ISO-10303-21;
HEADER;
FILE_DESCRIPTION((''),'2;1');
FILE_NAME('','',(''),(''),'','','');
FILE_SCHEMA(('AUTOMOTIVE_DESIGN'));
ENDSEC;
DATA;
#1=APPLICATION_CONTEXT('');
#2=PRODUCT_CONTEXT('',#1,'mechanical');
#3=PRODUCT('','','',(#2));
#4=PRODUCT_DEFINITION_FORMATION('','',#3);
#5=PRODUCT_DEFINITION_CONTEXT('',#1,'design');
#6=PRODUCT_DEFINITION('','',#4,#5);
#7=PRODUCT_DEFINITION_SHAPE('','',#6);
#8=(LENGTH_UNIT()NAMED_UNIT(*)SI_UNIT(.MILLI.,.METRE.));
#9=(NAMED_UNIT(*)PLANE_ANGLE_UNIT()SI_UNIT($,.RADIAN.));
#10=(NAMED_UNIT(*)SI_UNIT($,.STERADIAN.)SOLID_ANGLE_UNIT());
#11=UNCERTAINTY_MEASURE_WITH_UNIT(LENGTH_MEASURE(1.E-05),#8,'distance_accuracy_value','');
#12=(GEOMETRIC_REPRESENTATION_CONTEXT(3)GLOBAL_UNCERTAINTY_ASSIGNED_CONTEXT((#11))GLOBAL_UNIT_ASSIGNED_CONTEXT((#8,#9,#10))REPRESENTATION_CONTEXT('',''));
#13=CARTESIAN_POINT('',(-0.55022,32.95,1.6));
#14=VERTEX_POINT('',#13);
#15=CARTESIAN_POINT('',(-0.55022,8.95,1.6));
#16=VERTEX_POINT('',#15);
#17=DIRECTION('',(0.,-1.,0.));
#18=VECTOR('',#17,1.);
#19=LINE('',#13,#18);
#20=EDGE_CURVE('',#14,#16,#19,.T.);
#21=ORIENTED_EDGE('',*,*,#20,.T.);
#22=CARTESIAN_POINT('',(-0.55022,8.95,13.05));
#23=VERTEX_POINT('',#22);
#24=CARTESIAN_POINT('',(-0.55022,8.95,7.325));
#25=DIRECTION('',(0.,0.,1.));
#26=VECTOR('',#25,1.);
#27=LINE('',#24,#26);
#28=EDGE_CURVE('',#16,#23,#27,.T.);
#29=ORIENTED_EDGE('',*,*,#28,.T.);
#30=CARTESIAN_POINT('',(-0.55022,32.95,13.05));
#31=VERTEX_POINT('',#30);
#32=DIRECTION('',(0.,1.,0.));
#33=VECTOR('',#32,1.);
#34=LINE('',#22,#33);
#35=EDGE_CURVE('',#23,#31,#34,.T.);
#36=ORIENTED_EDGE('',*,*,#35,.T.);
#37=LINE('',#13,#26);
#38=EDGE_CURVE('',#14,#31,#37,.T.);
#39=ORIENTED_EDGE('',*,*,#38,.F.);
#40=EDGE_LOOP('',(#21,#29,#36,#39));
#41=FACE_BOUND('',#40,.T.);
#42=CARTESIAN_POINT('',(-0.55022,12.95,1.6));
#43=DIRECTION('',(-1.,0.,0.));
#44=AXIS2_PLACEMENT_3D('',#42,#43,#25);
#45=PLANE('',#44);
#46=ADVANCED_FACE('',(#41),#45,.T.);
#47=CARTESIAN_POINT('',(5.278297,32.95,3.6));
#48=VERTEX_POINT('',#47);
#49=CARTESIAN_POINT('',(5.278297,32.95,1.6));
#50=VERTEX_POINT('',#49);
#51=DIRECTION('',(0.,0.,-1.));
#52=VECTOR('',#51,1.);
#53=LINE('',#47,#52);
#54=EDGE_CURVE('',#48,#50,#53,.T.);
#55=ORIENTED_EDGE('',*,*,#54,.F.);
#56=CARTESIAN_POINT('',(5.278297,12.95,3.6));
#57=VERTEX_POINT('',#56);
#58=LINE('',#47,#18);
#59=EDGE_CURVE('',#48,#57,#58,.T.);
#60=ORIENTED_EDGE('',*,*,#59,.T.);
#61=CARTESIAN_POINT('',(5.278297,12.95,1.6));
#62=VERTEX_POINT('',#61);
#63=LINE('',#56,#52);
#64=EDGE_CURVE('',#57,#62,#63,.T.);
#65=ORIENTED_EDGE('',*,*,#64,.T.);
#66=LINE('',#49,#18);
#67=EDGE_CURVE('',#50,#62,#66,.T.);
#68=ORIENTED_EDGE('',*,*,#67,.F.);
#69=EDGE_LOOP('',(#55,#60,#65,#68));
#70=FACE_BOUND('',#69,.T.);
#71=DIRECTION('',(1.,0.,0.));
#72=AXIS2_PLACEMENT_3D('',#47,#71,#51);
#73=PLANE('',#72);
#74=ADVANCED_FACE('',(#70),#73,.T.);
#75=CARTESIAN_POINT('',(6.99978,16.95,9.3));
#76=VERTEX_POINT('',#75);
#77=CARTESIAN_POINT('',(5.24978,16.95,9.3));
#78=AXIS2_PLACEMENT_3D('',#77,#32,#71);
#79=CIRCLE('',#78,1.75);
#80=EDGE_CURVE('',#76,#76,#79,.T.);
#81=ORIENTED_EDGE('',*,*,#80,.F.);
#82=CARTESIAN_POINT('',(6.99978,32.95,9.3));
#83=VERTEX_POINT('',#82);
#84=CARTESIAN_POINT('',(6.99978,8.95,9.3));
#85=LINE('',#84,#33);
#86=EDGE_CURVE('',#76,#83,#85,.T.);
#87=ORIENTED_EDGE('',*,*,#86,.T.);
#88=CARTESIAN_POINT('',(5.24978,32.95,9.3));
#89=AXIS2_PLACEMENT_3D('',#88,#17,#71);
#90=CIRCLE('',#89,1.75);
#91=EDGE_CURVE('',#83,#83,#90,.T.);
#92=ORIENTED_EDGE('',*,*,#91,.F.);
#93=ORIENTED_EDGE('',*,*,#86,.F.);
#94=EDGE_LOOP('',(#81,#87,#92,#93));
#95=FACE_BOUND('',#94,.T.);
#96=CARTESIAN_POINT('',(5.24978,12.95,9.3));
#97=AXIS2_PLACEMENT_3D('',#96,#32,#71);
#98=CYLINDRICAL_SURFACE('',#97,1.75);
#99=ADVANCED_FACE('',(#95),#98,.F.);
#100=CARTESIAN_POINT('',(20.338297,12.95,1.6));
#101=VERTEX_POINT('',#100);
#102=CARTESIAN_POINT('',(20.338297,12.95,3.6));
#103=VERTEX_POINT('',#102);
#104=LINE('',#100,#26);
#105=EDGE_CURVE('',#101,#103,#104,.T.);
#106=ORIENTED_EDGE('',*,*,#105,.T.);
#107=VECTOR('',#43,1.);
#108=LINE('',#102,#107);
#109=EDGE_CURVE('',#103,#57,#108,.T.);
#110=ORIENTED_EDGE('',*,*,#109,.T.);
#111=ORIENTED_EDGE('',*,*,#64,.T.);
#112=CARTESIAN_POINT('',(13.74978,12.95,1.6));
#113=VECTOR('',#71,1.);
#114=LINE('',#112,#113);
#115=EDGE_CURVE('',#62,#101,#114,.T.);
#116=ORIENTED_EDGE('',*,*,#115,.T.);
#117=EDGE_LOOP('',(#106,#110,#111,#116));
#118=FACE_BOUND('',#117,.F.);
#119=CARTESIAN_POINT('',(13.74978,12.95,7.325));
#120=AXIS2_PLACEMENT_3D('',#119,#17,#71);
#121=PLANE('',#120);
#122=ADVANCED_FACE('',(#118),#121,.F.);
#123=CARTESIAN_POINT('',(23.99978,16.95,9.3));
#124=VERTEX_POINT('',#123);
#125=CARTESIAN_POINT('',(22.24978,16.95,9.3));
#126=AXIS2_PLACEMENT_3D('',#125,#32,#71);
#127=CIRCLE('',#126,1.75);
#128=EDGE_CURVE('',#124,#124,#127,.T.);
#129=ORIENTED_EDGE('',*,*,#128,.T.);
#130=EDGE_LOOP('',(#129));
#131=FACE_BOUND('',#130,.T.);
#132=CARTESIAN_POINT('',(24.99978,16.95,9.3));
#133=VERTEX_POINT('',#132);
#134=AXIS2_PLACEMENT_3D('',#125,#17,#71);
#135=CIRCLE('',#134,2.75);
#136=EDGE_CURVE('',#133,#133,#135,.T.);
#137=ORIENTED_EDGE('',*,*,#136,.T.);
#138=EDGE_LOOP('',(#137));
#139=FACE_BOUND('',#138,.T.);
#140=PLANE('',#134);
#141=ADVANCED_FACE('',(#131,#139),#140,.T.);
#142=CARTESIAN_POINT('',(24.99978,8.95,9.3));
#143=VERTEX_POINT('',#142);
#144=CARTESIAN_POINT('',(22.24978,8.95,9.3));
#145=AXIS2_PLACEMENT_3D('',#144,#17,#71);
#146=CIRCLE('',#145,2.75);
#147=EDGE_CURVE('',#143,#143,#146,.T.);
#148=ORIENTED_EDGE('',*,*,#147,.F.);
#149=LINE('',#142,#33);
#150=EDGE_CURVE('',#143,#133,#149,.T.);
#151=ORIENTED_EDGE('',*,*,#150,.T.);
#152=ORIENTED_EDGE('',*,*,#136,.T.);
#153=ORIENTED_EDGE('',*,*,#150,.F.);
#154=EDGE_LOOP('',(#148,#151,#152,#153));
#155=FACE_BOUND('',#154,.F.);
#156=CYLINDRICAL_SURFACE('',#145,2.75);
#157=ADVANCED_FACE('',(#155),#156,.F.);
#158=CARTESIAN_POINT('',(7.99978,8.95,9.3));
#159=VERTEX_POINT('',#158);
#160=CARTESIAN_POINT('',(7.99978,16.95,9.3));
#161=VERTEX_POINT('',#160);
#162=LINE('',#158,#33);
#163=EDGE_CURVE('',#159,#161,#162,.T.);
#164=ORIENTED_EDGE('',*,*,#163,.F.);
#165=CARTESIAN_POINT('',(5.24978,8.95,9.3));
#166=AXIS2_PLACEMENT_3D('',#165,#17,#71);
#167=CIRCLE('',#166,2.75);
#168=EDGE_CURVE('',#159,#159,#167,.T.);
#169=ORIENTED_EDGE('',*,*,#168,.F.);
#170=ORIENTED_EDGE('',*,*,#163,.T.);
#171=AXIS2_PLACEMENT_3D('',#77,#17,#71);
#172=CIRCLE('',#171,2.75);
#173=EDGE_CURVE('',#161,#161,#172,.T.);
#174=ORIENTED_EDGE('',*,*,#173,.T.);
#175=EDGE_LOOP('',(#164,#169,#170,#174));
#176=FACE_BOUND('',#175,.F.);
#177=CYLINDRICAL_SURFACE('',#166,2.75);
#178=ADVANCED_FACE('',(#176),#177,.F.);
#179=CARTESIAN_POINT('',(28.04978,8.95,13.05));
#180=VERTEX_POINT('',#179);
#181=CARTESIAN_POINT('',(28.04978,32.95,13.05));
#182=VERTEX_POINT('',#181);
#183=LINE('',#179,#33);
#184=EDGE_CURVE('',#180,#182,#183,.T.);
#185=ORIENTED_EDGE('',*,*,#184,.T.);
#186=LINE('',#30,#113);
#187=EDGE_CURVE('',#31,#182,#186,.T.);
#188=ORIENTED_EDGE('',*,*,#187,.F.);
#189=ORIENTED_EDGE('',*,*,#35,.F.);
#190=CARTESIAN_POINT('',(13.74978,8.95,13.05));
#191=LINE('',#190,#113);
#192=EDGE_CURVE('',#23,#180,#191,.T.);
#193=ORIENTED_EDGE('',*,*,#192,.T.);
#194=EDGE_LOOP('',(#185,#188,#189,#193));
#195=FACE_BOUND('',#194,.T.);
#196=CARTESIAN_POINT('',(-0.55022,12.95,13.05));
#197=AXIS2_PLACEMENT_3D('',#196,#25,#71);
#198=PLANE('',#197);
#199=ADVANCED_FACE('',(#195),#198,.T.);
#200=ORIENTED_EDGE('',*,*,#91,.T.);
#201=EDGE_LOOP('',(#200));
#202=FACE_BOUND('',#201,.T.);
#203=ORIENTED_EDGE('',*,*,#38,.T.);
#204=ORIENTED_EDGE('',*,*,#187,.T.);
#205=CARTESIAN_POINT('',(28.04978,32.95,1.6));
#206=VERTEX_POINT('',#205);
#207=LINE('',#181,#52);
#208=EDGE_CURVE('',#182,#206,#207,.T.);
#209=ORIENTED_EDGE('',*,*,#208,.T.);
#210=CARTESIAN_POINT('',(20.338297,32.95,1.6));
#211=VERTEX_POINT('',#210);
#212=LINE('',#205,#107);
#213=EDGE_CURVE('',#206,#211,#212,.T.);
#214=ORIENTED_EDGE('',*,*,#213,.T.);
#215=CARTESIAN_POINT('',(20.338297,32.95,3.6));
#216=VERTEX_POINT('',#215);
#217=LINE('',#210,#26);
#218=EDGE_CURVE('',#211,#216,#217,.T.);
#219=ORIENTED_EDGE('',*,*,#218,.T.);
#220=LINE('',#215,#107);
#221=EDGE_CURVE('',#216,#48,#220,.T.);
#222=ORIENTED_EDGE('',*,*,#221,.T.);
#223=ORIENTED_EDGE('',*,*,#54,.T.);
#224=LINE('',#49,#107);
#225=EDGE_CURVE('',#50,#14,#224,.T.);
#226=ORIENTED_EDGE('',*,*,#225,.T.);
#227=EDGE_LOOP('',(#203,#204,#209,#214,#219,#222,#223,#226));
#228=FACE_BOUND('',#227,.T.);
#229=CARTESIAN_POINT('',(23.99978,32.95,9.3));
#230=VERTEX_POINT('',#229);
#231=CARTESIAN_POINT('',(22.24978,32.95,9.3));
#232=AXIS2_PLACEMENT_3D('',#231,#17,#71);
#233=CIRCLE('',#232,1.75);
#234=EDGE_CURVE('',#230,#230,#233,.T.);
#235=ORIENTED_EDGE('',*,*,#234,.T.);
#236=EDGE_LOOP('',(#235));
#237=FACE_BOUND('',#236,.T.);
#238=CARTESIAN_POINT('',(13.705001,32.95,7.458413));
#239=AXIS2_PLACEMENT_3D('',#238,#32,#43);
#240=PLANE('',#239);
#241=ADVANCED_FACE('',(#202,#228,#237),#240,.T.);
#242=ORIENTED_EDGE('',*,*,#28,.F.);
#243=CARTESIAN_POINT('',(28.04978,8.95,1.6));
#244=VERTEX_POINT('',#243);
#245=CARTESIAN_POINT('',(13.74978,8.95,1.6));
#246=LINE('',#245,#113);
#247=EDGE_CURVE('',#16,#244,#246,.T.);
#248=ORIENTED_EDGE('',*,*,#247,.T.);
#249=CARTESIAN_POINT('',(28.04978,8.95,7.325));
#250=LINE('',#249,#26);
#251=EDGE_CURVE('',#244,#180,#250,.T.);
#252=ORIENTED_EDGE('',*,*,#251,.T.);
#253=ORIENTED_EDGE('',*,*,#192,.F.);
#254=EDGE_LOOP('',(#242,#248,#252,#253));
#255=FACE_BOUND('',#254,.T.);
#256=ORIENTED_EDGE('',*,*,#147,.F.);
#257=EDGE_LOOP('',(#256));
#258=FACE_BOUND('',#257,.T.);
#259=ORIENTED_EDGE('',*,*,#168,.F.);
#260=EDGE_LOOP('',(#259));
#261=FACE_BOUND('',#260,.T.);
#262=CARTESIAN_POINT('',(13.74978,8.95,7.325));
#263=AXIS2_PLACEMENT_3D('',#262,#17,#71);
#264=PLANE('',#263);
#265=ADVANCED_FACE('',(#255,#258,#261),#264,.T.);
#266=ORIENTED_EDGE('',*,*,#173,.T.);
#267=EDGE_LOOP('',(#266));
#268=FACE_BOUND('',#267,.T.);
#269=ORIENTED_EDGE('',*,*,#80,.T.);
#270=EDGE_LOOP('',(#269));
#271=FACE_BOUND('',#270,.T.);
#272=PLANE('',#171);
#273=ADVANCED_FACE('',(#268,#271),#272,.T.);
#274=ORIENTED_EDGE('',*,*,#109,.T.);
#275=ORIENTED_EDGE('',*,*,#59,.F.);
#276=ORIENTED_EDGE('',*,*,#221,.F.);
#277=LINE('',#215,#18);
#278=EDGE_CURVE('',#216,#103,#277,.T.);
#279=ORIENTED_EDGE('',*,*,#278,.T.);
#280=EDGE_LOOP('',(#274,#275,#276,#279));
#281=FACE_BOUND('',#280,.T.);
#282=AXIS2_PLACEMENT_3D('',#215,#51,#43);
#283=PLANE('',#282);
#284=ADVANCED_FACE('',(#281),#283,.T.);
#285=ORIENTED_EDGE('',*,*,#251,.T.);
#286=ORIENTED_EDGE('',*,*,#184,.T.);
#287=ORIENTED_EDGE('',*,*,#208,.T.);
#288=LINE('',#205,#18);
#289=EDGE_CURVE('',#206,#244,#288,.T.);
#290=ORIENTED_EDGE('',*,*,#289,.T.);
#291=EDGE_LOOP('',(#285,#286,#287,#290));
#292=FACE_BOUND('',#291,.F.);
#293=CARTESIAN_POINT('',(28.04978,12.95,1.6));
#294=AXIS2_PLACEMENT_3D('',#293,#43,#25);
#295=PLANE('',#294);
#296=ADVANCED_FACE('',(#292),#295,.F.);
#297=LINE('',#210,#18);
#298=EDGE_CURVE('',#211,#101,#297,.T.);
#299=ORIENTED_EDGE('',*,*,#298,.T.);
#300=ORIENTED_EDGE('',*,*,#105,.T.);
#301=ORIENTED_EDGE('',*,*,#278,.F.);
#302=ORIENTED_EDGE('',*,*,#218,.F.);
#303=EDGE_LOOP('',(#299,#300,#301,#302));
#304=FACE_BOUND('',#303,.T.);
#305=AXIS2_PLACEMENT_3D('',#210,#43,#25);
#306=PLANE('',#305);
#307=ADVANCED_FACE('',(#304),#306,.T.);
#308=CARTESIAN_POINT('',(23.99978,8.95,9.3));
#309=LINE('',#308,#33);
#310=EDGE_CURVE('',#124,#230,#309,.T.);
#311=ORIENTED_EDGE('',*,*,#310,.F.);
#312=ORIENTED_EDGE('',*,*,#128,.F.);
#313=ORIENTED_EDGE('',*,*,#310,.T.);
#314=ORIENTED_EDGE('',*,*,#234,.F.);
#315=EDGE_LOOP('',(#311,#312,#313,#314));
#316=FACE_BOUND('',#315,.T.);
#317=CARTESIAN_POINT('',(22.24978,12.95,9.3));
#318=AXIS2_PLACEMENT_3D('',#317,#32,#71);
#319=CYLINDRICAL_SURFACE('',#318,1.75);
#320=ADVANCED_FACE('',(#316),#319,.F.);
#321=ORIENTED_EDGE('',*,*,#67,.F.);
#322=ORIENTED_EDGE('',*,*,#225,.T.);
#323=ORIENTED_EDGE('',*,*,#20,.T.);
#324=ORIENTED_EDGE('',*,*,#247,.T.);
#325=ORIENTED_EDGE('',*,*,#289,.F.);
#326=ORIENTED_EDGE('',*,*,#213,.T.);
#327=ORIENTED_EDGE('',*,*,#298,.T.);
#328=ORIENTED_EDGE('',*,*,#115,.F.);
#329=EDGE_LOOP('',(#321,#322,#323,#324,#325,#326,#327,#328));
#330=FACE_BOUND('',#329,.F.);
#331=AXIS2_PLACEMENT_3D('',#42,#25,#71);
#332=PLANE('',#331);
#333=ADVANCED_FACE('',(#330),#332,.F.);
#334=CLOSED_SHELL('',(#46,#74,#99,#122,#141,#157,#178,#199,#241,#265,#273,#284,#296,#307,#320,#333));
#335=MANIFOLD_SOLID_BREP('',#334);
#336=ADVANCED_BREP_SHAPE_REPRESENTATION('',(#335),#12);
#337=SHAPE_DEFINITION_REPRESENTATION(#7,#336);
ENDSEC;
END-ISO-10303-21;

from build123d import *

# Parameters (mm, degrees)
SKETCH018_R     = 1.75
PAD009_DEPTH    = 20
SKETCH019_W     = 28.6
SKETCH019_H     = 11.45
SKETCH019_R     = 1.75
PAD010_DEPTH    = 4
SKETCH020_R     = 2.75
POCKET009_DEPTH = 8


with BuildPart() as part:
    # Sketch018 (on Face21 of Binder005) → Pad009 (new body)
    with BuildSketch(Plane.XZ.offset(-32.95)):
        Polygon((-0.55022, 13.05), (28.04978, 13.05), (28.04978, 1.6), (20.338297, 1.6), (20.338297, 3.6), (5.278297, 3.6), (5.278297, 1.6), (-0.55022, 1.6), align=None)
        with Locations((5.24978, 9.3)):
            Circle(SKETCH018_R, mode=Mode.SUBTRACT)
        with Locations((22.24978, 9.3)):
            Circle(SKETCH018_R, mode=Mode.SUBTRACT)
    extrude(amount=PAD009_DEPTH)

    # Sketch019 (on Face12 of Pad009) → Pad010 (join)
    with BuildSketch(Plane.XZ.offset(-12.95)):
        with Locations((13.74978, 7.325)):
            Rectangle(SKETCH019_W, SKETCH019_H)
        with Locations((5.24978, 9.3)):
            Circle(SKETCH019_R, mode=Mode.SUBTRACT)
        with Locations((22.24978, 9.3)):
            Circle(SKETCH019_R, mode=Mode.SUBTRACT)
    extrude(amount=PAD010_DEPTH)

    # Sketch020 (on Face1 of Pad010) → Pocket009 (cut)
    with BuildSketch(Plane.XZ.offset(-8.95)):
        with Locations((22.24978, 9.3)):
            Circle(SKETCH020_R)
        with Locations((5.24978, 9.3)):
            Circle(SKETCH020_R)
    extrude(amount=-POCKET009_DEPTH, mode=Mode.SUBTRACT)


solid = part.part
